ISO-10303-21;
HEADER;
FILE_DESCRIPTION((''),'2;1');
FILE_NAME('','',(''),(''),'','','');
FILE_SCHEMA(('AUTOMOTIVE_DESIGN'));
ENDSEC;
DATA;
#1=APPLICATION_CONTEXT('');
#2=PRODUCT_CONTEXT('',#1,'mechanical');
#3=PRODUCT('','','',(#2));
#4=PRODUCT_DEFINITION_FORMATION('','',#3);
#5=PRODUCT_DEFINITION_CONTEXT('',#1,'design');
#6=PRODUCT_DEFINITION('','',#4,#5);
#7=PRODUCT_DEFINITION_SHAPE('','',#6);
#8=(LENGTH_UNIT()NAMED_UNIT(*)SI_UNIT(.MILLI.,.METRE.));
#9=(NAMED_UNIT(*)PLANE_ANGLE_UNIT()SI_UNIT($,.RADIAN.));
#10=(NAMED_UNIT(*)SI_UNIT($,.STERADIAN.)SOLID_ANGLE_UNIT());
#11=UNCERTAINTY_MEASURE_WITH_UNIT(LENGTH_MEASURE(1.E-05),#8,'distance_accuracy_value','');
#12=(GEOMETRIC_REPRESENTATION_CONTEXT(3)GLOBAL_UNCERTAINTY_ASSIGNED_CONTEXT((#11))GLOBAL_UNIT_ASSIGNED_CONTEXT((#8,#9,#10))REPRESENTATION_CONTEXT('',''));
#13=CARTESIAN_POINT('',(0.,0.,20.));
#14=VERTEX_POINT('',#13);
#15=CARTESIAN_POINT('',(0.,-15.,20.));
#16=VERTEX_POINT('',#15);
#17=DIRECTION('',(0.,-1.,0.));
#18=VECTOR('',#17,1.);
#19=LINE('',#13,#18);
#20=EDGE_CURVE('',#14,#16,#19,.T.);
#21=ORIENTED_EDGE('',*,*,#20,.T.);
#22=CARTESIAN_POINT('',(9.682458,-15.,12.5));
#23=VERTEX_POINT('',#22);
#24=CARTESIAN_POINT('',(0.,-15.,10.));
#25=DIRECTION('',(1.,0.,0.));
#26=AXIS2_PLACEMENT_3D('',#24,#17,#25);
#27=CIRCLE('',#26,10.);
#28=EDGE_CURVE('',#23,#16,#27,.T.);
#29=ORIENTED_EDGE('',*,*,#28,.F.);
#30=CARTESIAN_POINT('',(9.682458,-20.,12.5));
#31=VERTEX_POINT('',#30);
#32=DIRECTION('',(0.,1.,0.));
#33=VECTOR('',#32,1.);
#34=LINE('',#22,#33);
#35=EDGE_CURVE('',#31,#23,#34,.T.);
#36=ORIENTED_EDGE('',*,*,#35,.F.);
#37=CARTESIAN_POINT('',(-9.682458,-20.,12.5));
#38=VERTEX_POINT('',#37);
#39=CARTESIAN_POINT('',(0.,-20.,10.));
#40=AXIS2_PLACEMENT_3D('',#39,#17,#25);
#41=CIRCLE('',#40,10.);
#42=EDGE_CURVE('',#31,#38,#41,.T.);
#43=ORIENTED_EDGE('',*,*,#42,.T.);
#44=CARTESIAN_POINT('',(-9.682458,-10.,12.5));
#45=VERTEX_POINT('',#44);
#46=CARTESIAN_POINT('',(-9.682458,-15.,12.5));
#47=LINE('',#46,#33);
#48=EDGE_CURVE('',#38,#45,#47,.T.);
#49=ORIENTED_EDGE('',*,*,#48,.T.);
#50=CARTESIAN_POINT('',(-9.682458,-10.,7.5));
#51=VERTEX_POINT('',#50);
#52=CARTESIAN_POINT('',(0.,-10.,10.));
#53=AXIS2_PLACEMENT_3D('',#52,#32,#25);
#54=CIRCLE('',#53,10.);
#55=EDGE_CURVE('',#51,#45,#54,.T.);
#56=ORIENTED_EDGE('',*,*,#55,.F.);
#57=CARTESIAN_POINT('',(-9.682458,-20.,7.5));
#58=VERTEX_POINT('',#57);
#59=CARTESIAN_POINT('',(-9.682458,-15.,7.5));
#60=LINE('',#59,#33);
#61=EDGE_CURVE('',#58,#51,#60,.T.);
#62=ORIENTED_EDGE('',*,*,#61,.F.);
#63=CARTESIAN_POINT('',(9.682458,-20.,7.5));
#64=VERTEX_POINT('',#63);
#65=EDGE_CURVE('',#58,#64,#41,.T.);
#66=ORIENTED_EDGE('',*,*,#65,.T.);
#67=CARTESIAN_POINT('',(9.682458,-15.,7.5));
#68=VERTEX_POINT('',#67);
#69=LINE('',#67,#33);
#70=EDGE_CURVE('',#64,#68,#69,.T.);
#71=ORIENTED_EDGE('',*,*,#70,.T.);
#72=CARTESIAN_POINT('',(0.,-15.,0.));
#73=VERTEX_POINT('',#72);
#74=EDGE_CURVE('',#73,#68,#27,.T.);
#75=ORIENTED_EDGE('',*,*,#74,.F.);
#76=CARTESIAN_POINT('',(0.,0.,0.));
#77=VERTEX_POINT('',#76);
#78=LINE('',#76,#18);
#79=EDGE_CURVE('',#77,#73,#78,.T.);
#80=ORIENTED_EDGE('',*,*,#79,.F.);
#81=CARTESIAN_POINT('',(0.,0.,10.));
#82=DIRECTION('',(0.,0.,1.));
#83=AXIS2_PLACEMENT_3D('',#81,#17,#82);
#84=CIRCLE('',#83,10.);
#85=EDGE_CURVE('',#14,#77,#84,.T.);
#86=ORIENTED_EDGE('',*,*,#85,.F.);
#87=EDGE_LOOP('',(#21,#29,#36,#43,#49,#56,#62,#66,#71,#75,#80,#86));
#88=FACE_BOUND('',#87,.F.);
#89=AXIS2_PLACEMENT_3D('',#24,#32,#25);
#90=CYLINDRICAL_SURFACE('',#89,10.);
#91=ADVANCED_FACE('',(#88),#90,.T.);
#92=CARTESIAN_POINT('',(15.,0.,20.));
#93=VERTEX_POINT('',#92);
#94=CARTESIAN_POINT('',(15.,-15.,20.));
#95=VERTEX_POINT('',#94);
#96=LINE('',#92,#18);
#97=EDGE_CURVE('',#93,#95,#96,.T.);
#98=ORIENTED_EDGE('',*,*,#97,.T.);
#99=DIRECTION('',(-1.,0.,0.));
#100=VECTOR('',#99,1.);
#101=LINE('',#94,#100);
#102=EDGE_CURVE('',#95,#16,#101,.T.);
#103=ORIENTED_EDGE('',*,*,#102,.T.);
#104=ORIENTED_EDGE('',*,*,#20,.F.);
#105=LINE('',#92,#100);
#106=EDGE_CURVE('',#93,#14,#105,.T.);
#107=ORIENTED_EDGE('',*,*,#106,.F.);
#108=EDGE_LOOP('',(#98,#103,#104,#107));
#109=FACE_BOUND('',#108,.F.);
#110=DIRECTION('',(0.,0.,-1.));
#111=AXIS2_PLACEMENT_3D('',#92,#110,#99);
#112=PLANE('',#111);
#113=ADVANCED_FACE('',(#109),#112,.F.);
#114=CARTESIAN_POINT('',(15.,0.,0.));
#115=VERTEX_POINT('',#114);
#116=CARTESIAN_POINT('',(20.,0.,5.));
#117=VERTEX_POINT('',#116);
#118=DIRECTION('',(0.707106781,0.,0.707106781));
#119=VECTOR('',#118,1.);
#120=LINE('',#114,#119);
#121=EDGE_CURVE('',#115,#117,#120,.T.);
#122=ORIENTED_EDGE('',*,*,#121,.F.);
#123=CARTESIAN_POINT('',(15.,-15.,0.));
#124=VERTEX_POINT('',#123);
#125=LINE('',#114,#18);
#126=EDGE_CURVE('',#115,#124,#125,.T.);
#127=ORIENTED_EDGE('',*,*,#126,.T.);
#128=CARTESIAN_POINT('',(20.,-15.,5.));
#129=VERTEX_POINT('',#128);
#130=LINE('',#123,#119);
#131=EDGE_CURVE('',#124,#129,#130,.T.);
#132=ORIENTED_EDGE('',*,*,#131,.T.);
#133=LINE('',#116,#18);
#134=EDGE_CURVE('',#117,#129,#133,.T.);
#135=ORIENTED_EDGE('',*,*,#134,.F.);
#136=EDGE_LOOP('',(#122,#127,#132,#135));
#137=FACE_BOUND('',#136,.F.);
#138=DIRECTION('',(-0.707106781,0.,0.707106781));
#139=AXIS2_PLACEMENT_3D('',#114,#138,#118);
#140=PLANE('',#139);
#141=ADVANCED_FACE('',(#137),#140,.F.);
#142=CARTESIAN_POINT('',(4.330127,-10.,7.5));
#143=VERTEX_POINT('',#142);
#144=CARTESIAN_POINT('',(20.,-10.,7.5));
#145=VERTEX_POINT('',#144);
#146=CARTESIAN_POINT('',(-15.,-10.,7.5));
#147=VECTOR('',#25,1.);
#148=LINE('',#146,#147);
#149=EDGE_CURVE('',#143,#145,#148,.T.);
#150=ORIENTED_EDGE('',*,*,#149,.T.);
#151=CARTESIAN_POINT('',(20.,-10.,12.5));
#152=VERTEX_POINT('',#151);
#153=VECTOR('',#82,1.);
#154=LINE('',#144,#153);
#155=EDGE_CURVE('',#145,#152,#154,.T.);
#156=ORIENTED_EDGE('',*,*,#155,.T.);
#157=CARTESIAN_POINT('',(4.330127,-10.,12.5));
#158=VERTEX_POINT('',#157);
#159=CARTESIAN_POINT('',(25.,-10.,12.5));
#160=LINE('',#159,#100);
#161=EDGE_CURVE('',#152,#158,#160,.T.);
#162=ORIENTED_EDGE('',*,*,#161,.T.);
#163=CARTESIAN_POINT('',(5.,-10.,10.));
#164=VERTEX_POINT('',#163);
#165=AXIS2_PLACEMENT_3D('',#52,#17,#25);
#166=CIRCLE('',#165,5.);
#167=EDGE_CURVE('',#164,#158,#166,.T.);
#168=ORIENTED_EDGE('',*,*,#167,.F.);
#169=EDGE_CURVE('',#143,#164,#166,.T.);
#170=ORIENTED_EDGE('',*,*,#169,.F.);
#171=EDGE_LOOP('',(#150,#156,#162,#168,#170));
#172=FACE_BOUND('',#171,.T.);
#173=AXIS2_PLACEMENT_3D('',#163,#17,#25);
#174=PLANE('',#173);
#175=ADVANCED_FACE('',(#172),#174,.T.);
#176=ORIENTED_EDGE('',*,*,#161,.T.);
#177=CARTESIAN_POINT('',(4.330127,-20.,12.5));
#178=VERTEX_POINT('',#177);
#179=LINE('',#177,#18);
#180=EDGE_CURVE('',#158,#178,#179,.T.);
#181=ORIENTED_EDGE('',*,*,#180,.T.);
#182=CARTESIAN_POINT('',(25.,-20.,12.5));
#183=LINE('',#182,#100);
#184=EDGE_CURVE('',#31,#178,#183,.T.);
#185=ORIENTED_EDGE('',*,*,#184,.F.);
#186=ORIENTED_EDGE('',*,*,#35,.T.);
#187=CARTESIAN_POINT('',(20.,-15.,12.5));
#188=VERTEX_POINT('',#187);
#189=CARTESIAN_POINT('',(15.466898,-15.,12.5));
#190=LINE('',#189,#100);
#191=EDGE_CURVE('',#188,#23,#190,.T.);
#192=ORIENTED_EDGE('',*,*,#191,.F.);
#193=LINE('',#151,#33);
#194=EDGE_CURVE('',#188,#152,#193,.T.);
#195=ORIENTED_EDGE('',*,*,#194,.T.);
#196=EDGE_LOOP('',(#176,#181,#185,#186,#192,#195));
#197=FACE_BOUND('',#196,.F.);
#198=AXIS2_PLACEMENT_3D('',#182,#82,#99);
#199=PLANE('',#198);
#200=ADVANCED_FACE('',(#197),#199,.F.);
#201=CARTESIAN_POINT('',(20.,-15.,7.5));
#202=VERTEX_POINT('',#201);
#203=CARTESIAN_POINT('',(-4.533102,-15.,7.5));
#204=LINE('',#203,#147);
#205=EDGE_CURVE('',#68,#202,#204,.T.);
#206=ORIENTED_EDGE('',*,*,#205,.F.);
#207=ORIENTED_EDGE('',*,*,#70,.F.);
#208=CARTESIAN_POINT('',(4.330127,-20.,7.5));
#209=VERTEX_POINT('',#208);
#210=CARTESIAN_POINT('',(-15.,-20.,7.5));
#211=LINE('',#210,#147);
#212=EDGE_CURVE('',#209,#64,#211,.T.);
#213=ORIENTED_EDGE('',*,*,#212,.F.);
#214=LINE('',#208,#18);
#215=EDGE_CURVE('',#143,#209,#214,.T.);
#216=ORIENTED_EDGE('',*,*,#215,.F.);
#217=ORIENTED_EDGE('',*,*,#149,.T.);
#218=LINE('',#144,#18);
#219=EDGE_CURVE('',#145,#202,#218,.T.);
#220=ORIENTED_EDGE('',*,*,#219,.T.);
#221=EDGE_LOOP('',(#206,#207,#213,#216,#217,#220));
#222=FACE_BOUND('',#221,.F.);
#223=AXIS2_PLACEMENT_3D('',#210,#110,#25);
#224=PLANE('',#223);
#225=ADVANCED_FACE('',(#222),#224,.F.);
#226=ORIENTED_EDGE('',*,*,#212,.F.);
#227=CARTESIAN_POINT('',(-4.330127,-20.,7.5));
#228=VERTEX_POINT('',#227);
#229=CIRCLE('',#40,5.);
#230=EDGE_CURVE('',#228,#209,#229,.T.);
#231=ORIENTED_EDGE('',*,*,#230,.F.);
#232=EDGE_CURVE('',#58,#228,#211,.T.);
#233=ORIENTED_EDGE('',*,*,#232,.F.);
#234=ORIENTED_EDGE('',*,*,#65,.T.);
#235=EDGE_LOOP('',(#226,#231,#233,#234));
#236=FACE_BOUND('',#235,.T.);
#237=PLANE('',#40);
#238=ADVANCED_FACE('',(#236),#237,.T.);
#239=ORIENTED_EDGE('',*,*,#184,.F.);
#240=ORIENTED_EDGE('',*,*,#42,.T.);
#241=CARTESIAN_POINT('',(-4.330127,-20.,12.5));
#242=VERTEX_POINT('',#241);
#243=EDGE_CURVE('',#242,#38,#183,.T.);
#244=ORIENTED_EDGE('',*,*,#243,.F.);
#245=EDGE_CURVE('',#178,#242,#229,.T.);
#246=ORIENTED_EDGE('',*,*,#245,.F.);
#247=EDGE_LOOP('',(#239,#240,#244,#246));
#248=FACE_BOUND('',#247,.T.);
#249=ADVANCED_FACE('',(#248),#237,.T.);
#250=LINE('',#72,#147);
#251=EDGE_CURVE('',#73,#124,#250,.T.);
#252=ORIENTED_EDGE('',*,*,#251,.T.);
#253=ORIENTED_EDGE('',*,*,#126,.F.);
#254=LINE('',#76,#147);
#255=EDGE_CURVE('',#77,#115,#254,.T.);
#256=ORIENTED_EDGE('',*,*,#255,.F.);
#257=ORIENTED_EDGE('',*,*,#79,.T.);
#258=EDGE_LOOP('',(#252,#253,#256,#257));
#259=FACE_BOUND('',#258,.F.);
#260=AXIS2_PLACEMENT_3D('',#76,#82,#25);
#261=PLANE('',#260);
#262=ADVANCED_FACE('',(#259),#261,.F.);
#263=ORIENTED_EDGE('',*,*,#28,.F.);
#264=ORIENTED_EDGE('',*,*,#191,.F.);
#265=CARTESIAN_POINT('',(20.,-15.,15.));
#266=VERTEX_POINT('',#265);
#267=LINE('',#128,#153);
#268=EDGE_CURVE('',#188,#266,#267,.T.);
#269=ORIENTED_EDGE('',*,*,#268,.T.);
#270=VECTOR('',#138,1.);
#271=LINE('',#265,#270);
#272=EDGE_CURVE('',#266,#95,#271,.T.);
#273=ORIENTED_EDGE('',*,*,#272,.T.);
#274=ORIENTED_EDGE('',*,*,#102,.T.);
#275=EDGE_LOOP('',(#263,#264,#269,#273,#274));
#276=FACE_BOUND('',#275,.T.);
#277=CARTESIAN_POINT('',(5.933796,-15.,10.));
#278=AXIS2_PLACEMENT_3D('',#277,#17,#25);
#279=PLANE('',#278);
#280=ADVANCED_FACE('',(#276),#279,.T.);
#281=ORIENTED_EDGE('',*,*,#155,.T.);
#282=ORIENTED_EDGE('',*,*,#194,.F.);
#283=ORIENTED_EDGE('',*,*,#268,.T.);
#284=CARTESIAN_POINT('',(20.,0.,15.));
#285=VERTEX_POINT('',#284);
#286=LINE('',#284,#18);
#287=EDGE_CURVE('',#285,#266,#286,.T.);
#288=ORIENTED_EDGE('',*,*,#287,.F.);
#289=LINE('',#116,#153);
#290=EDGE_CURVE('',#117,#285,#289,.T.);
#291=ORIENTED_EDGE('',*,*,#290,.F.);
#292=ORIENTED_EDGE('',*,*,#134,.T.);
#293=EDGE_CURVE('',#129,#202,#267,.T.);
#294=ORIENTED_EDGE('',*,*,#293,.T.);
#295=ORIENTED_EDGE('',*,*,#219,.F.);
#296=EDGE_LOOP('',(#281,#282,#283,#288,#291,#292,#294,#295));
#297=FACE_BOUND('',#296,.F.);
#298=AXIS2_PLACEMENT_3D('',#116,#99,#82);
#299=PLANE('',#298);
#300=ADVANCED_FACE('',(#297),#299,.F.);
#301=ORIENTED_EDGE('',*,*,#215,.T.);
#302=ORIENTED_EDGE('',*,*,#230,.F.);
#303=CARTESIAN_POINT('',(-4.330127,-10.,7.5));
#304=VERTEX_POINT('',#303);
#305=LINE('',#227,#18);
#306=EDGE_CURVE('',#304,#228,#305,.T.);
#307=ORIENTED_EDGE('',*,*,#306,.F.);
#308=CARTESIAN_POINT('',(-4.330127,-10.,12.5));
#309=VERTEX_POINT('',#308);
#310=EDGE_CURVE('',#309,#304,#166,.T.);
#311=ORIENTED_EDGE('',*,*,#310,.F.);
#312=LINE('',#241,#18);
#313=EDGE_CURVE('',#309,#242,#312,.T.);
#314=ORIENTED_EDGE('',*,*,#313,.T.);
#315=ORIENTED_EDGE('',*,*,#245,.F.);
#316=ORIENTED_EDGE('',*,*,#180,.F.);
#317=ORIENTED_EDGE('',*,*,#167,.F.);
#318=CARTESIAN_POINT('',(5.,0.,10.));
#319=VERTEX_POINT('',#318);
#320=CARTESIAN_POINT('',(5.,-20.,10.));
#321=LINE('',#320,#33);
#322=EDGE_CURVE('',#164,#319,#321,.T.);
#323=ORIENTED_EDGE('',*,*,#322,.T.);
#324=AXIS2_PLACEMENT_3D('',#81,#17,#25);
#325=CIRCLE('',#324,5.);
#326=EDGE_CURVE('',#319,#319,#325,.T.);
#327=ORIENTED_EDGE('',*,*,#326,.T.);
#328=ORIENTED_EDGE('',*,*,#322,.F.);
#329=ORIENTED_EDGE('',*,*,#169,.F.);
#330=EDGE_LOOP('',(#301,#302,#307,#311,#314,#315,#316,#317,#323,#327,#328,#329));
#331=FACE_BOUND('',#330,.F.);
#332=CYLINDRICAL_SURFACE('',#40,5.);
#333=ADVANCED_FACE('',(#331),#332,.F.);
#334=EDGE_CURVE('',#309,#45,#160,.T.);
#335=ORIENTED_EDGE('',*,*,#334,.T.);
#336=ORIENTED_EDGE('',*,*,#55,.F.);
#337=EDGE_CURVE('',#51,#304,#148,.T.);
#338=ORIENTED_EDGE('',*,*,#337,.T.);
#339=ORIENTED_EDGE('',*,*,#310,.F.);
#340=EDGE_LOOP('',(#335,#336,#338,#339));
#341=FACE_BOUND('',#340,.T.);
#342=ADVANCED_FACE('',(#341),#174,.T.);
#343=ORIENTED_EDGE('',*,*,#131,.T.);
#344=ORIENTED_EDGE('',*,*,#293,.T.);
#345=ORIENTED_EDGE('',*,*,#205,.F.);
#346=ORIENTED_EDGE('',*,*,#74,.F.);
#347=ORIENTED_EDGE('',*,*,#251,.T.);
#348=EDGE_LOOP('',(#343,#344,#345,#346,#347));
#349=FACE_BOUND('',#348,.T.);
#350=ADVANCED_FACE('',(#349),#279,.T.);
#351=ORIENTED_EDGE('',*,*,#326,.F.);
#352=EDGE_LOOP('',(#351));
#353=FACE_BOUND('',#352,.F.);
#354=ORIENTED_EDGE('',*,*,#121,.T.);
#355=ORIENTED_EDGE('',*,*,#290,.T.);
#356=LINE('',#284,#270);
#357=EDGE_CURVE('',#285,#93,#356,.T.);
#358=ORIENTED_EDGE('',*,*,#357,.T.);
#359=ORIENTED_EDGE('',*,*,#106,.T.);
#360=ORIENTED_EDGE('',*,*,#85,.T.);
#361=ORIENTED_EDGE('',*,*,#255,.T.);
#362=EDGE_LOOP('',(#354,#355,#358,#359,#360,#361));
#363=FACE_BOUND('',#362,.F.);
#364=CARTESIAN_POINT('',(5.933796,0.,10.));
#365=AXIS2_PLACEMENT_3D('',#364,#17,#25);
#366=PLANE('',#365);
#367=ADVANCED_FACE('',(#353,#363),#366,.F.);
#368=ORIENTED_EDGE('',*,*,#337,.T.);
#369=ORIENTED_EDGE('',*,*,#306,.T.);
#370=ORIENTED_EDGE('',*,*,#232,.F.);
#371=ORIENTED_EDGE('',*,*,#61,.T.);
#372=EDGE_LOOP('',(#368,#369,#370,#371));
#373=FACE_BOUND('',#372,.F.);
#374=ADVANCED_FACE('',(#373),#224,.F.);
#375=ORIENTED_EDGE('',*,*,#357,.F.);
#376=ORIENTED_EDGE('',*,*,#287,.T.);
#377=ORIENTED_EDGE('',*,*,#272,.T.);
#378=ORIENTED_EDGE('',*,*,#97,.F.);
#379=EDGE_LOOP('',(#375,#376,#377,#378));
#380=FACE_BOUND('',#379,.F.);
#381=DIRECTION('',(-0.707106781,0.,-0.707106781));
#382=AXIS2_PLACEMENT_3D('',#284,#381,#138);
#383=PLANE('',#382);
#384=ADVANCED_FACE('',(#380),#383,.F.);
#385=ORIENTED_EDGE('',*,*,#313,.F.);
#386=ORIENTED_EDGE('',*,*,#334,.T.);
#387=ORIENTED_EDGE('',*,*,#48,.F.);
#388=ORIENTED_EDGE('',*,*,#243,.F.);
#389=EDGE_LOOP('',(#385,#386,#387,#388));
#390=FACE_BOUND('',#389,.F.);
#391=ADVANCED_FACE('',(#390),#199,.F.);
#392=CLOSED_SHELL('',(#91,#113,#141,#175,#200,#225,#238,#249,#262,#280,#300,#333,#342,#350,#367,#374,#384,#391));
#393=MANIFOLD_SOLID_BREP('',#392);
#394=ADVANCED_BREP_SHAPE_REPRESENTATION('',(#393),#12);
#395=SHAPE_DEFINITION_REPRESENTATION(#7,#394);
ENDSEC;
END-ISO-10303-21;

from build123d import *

# Parameters (mm, degrees)
F1_DEPTH = 15
F2_R     = 10
F3_DEPTH = 5
F4_R     = 5
F5_DEPTH = 20.001
F7_DEPTH = 10


with BuildPart() as f1:
    # F0 (on Front) → F1 (new body)
    with BuildSketch(Plane.XZ):
        with BuildLine():
            Line((15, 20), (0, 20))
            ThreePointArc((0, 20), (-10, 10), (0, 0))
            Line((0, 0), (15, 0))
            Line((15, 0), (20, 5))
            Line((20, 5), (20, 15))
            Line((20, 15), (15, 20))
        make_face()
    extrude(amount=F1_DEPTH)

    # F2 (on face) → F3 (join)
    with BuildSketch(Plane.XZ.offset(15)):
        with Locations((0, 10)):
            Circle(F2_R)
    extrude(amount=F3_DEPTH)

    # F4 (on face) → F5 (cut, through all)
    with BuildSketch(Plane.XZ.offset(20)):
        with Locations((0, 10)):
            Circle(F4_R)
    extrude(amount=-F5_DEPTH, mode=Mode.SUBTRACT)

    # F6 (on face) → F7 (cut)
    with BuildSketch(Plane.XZ.offset(20)):
        Polygon((-15, 7.5), (0, 7.5), (25, 7.5), (25, 12.5), (0, 12.5), (-15, 12.5), align=None)
    extrude(amount=-F7_DEPTH, mode=Mode.SUBTRACT)


solid = f1.part
